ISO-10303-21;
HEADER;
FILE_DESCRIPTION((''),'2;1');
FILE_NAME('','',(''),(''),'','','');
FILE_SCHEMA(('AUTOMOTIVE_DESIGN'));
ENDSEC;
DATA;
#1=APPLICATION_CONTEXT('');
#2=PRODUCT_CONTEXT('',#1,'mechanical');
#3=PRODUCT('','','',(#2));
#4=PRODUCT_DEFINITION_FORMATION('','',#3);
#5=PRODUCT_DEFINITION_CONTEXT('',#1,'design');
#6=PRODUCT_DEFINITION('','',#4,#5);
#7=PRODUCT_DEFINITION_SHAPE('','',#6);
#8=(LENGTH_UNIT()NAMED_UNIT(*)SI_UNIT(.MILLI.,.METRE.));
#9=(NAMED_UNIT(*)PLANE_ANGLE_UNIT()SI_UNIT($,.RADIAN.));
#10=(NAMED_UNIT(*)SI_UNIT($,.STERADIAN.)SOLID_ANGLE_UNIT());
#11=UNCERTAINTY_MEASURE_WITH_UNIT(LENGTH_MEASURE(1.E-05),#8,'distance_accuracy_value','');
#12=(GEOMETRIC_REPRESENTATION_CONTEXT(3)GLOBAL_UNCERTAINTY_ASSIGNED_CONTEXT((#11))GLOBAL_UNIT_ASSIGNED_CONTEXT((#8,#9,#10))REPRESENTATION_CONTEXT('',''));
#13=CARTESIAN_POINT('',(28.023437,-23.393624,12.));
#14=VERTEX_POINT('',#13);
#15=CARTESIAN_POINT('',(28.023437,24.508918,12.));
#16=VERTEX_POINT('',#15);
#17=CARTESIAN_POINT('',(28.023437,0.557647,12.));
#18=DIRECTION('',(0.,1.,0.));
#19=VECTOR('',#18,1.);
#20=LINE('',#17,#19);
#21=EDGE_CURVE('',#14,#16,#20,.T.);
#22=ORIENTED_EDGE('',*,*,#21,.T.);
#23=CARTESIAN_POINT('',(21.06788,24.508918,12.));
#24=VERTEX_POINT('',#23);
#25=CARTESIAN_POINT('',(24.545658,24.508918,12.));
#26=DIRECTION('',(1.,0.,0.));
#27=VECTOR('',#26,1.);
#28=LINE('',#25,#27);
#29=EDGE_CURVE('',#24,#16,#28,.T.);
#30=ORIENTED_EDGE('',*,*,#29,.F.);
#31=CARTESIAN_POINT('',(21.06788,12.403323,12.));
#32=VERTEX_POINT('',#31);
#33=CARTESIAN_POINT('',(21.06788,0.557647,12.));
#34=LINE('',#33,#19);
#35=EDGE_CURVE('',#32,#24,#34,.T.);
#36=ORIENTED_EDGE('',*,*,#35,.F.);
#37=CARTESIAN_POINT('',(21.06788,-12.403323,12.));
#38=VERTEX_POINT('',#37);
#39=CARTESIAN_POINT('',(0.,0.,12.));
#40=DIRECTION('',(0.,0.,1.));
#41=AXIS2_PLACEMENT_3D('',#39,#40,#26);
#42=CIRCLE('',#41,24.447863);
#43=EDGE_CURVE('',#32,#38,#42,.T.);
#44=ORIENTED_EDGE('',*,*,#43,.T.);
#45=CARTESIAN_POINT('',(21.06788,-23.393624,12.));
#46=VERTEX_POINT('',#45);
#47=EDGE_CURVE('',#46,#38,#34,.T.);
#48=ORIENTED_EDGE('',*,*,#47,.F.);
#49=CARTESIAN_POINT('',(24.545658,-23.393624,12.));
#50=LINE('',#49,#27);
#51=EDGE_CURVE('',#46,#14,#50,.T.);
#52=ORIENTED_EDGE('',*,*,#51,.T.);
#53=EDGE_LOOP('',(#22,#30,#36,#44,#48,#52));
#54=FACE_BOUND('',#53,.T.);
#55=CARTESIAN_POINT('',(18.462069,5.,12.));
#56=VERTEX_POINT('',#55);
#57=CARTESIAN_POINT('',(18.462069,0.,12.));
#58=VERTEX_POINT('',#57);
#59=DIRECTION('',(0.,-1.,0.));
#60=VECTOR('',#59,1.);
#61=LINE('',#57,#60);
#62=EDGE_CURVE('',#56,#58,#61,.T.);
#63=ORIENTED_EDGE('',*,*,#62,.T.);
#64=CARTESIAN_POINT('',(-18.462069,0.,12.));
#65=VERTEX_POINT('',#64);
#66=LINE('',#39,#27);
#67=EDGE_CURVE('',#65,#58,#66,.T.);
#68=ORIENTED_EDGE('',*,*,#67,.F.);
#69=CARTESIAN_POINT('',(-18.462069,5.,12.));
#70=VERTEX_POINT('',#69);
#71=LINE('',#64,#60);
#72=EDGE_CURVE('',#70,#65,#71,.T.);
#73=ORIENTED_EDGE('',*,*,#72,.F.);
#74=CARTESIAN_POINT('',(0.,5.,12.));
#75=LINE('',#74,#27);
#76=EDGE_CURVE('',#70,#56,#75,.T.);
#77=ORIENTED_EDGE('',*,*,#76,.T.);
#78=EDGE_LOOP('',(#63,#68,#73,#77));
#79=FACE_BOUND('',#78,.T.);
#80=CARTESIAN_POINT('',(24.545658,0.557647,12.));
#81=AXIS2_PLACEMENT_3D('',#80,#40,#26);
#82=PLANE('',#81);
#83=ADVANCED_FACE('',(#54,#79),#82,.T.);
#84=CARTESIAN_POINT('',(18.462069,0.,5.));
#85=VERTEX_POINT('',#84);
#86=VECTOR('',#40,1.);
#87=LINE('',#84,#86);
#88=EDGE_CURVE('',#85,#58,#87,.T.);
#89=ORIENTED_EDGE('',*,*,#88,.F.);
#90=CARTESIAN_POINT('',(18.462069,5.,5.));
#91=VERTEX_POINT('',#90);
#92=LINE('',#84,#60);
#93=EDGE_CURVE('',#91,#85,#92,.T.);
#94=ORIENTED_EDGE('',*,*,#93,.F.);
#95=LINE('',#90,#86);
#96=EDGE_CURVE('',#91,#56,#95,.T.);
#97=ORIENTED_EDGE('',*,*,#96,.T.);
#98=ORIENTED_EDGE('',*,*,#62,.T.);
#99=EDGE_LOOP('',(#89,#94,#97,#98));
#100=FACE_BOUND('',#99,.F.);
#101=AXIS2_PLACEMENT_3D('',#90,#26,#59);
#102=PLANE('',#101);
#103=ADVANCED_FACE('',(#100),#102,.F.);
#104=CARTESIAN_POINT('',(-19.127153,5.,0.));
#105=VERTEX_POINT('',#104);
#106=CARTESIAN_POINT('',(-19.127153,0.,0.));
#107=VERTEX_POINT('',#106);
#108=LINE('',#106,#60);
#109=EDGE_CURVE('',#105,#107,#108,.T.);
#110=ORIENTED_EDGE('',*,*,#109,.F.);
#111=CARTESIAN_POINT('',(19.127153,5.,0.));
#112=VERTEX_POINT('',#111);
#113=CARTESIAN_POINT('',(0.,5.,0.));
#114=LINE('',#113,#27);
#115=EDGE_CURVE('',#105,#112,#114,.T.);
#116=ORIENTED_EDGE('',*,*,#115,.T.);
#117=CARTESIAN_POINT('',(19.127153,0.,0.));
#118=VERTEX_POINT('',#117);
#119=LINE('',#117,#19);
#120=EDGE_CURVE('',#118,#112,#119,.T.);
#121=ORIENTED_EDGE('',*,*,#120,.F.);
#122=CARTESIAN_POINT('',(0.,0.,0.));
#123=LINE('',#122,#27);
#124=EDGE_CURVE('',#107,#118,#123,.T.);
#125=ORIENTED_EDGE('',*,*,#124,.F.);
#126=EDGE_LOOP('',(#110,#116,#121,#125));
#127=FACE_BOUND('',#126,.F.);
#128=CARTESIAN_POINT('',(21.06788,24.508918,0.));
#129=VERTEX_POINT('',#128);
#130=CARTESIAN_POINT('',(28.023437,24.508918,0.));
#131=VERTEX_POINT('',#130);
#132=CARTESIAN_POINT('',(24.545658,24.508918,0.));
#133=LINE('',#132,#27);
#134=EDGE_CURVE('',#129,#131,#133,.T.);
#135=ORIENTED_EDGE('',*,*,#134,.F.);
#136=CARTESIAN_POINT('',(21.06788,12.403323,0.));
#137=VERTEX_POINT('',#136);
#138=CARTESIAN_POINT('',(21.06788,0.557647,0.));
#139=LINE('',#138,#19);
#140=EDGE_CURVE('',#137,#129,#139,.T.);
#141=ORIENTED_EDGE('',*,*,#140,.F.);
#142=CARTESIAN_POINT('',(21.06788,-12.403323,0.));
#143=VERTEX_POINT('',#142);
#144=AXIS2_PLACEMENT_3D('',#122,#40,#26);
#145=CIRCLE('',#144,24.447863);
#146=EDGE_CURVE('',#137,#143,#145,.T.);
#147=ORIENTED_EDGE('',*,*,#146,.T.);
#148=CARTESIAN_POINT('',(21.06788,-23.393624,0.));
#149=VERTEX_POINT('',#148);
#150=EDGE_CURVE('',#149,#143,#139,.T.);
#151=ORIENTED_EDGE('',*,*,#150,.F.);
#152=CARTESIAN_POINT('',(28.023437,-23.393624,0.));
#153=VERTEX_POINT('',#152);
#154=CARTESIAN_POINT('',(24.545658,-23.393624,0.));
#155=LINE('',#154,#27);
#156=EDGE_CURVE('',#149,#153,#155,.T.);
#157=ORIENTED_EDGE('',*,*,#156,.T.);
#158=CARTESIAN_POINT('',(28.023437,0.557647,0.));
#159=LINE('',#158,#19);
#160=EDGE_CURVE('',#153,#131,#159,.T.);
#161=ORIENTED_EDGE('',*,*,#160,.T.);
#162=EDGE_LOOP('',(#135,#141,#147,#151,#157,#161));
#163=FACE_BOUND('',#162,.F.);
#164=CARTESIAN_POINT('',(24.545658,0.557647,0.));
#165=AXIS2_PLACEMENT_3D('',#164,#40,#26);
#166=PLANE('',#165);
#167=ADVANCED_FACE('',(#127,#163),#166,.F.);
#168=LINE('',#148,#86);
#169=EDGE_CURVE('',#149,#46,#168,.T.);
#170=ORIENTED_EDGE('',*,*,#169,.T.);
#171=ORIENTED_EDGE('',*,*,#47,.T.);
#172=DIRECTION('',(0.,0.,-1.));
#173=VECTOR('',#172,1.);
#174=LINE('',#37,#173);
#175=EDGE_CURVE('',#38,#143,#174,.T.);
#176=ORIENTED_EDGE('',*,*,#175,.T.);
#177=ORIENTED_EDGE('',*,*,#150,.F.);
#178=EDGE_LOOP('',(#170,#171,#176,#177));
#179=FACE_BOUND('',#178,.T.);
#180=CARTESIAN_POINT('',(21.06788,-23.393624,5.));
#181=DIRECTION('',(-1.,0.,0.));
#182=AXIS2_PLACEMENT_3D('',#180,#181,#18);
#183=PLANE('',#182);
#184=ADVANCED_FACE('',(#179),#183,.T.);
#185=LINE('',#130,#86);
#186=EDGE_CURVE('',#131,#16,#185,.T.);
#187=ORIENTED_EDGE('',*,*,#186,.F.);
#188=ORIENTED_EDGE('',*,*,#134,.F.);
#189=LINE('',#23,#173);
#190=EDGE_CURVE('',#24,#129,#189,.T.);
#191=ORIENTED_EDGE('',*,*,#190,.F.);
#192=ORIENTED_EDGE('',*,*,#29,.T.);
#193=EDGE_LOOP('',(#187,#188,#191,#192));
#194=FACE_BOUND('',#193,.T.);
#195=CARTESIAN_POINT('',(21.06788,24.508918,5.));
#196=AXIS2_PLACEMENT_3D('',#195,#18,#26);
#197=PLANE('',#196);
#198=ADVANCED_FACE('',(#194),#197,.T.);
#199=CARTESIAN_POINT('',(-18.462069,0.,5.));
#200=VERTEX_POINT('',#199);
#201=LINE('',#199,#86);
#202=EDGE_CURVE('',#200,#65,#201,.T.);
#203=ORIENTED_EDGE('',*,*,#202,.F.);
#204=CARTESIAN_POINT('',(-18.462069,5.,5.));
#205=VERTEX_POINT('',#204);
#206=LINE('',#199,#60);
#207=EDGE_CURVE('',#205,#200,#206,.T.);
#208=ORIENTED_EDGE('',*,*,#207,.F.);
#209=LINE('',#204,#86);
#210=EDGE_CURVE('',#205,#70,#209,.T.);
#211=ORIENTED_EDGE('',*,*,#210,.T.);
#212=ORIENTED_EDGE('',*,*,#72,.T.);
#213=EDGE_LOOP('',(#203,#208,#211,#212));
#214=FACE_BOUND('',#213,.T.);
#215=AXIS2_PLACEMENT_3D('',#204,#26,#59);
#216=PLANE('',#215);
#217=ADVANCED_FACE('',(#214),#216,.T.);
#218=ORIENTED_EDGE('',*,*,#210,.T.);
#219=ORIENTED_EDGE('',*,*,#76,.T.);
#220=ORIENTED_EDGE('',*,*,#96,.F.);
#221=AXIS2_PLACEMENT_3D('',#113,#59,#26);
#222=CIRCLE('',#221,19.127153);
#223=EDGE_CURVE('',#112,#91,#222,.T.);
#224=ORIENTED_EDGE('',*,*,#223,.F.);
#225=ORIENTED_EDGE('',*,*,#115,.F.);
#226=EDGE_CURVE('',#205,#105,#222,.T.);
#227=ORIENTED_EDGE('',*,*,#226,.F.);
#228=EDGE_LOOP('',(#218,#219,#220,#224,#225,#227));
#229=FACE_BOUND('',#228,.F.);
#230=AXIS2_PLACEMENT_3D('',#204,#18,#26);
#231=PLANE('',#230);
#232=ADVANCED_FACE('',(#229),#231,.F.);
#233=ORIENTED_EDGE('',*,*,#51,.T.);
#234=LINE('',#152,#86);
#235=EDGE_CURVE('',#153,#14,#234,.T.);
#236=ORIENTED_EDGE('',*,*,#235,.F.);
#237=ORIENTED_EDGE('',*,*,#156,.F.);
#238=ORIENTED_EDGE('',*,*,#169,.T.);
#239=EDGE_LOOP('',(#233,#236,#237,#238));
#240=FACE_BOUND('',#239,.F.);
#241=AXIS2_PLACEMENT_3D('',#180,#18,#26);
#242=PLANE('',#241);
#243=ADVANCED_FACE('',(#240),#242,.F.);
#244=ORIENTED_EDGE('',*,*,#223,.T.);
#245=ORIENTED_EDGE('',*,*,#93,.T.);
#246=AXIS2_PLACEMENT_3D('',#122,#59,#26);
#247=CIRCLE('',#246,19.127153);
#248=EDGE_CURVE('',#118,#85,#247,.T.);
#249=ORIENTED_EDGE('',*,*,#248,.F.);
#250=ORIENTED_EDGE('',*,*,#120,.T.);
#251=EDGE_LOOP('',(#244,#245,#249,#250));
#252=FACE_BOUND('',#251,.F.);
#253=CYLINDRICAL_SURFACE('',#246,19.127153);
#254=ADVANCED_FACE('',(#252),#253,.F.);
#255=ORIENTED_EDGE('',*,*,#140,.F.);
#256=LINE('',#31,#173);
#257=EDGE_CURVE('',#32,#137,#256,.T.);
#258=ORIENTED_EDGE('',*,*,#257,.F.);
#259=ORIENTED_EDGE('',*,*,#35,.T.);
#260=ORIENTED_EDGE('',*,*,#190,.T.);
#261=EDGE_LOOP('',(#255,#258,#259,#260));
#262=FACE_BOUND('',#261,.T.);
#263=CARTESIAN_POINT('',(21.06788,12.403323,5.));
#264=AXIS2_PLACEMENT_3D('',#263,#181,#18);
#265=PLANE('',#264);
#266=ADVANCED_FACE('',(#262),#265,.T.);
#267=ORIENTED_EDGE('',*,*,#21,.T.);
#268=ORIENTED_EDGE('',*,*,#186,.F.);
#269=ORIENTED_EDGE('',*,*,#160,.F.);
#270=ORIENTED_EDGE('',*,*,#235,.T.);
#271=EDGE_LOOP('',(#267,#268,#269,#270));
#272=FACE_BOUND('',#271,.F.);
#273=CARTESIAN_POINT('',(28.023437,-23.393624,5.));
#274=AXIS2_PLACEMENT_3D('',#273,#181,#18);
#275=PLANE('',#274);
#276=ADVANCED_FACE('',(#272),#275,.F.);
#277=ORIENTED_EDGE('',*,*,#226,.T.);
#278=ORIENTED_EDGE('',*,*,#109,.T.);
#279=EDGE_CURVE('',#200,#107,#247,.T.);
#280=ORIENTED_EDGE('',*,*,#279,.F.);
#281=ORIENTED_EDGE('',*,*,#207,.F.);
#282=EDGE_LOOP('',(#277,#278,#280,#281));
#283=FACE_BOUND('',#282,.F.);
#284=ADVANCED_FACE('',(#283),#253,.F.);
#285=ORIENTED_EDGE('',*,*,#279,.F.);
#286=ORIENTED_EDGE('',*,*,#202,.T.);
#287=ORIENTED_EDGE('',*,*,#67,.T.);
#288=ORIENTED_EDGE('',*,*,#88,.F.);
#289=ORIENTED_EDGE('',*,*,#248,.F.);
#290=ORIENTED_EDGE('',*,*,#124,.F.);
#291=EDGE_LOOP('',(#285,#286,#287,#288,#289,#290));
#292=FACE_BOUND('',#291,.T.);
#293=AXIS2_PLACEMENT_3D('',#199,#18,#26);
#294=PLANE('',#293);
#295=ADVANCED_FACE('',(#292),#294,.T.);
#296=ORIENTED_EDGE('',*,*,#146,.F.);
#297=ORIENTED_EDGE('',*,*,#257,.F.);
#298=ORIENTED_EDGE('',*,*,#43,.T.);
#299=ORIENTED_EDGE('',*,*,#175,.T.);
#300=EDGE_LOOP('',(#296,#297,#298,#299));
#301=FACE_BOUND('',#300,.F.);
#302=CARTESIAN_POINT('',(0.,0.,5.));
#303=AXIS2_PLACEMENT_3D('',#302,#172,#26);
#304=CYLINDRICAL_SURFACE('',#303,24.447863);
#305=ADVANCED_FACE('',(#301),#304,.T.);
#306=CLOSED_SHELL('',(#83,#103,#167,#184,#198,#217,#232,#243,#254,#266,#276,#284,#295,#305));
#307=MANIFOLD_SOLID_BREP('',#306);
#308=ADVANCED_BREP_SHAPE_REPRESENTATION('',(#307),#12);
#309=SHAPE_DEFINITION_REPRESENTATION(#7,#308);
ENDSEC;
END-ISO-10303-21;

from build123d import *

# Parameters (mm, degrees)
F0_R     = 24.4478628748
F1_DEPTH = 5
F2_R     = 19.1271532248
F3_DEPTH = 5
F4_W     = 6.9555565715
F4_H     = 47.9025412351
F5_DEPTH = 5
F6_DEPTH = 7


with BuildPart() as f1:
    # F0 (on Top) → F1 (new body)
    with BuildSketch(Plane.XY):
        Circle(F0_R)
    extrude(amount=F1_DEPTH)

    # F2 (on Front) → F3 (cut)
    with BuildSketch(Plane.XZ):
        Circle(F2_R)
    extrude(amount=-F3_DEPTH, mode=Mode.SUBTRACT)

    # F4 (on Top) → F5 (join)
    with BuildSketch(Plane.XY):
        with Locations((24.5456583798, 0.5576470867)):
            Rectangle(F4_W, F4_H)
    extrude(amount=F5_DEPTH)

    # F6 (add): a face of the model
    f6_faces = [f1.faces().sort_by_distance(p)[0] for p in [
        (3.5064630649, -0.1400049466, 5),
    ]]
    extrude(f6_faces, amount=F6_DEPTH)


solid = f1.part
